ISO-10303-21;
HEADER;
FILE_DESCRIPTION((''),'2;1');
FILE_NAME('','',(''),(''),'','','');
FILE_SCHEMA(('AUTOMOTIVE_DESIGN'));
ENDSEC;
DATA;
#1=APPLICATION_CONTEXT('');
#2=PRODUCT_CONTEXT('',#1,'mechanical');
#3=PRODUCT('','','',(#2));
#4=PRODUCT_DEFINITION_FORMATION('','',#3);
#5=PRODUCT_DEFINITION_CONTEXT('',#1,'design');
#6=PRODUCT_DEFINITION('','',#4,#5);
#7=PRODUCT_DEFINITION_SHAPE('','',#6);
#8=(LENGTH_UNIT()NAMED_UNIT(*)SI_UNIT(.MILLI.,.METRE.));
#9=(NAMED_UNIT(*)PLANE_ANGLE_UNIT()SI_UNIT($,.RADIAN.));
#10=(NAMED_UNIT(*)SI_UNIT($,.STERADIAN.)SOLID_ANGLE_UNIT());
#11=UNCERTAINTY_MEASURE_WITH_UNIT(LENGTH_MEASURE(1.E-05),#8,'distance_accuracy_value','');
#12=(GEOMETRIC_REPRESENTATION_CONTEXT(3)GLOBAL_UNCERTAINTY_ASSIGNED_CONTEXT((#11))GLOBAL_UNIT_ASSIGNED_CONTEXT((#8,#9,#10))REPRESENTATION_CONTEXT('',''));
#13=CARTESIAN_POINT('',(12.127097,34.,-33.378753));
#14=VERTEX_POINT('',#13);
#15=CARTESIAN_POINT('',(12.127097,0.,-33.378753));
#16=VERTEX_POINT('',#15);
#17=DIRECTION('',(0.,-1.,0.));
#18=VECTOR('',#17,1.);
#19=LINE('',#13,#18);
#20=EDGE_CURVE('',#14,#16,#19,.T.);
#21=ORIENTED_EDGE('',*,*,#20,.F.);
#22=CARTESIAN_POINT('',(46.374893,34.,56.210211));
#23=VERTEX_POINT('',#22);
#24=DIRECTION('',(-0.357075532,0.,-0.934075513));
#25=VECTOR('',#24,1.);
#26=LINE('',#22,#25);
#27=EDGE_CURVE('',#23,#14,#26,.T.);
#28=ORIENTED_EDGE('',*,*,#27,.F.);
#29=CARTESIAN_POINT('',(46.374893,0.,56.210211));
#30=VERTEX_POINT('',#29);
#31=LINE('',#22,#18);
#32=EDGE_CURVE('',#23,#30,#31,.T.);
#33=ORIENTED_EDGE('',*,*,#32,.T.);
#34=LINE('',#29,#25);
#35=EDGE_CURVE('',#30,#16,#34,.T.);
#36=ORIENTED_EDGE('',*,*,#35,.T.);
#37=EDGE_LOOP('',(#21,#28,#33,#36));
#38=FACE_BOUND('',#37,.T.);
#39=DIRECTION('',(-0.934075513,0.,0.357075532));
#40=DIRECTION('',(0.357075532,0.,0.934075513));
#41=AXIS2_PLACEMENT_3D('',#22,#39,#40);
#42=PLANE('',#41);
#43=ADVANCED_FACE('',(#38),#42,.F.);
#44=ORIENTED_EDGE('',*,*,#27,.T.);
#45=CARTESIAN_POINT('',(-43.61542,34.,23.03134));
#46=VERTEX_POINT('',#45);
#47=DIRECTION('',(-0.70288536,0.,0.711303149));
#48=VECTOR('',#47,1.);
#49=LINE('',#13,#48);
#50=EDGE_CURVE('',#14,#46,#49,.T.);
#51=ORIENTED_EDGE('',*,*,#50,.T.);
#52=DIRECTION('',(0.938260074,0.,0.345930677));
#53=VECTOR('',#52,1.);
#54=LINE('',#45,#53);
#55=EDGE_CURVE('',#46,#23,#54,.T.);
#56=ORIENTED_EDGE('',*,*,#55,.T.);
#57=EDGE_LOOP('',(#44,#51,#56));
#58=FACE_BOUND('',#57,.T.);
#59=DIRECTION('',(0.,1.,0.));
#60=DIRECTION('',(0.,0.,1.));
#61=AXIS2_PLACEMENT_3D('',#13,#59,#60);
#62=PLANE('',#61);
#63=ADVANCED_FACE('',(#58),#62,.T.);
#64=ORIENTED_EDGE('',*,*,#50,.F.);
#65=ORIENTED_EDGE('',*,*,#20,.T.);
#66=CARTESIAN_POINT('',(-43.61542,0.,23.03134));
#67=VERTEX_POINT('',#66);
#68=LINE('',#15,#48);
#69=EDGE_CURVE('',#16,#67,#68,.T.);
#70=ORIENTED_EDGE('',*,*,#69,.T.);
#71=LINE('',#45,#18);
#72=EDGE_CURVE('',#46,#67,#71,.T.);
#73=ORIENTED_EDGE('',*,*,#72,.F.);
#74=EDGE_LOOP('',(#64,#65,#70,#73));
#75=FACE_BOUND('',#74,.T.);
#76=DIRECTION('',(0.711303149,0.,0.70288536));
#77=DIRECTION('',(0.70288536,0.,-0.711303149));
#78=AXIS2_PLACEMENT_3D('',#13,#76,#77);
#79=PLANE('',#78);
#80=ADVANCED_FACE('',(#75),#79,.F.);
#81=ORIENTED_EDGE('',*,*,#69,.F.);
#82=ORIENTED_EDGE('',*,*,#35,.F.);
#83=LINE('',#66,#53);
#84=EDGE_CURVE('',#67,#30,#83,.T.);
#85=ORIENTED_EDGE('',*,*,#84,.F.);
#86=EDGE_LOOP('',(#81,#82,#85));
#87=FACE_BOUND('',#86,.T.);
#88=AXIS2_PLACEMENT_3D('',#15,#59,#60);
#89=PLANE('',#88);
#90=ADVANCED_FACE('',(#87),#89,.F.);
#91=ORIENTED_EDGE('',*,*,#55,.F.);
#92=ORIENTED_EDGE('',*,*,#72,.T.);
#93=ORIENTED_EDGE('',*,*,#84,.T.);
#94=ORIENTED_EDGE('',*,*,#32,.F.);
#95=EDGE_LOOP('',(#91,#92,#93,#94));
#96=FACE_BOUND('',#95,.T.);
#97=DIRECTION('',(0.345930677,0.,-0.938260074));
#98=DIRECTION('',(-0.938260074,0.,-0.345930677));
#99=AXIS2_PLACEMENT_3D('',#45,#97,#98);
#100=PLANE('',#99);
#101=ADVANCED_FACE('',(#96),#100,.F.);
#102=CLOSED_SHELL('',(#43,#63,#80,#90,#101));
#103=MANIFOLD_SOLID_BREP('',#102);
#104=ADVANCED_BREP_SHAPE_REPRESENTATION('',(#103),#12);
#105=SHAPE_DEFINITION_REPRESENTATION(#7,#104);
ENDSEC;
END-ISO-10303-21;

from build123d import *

# Parameters (mm, degrees)
EXTRUDE1_DEPTH = 34


with BuildPart() as part:
    # Sketch1 → Extrude1 (new body)
    with BuildSketch(Plane(origin=(0, 0, 0), x_dir=(1, 0, 0), z_dir=(0, 1, 0))):
        Polygon((12.127097366, 33.378753207), (-43.61542049, -23.031339713), (46.374892578, -56.210210657), align=None)
    extrude(amount=EXTRUDE1_DEPTH)


solid = part.part
